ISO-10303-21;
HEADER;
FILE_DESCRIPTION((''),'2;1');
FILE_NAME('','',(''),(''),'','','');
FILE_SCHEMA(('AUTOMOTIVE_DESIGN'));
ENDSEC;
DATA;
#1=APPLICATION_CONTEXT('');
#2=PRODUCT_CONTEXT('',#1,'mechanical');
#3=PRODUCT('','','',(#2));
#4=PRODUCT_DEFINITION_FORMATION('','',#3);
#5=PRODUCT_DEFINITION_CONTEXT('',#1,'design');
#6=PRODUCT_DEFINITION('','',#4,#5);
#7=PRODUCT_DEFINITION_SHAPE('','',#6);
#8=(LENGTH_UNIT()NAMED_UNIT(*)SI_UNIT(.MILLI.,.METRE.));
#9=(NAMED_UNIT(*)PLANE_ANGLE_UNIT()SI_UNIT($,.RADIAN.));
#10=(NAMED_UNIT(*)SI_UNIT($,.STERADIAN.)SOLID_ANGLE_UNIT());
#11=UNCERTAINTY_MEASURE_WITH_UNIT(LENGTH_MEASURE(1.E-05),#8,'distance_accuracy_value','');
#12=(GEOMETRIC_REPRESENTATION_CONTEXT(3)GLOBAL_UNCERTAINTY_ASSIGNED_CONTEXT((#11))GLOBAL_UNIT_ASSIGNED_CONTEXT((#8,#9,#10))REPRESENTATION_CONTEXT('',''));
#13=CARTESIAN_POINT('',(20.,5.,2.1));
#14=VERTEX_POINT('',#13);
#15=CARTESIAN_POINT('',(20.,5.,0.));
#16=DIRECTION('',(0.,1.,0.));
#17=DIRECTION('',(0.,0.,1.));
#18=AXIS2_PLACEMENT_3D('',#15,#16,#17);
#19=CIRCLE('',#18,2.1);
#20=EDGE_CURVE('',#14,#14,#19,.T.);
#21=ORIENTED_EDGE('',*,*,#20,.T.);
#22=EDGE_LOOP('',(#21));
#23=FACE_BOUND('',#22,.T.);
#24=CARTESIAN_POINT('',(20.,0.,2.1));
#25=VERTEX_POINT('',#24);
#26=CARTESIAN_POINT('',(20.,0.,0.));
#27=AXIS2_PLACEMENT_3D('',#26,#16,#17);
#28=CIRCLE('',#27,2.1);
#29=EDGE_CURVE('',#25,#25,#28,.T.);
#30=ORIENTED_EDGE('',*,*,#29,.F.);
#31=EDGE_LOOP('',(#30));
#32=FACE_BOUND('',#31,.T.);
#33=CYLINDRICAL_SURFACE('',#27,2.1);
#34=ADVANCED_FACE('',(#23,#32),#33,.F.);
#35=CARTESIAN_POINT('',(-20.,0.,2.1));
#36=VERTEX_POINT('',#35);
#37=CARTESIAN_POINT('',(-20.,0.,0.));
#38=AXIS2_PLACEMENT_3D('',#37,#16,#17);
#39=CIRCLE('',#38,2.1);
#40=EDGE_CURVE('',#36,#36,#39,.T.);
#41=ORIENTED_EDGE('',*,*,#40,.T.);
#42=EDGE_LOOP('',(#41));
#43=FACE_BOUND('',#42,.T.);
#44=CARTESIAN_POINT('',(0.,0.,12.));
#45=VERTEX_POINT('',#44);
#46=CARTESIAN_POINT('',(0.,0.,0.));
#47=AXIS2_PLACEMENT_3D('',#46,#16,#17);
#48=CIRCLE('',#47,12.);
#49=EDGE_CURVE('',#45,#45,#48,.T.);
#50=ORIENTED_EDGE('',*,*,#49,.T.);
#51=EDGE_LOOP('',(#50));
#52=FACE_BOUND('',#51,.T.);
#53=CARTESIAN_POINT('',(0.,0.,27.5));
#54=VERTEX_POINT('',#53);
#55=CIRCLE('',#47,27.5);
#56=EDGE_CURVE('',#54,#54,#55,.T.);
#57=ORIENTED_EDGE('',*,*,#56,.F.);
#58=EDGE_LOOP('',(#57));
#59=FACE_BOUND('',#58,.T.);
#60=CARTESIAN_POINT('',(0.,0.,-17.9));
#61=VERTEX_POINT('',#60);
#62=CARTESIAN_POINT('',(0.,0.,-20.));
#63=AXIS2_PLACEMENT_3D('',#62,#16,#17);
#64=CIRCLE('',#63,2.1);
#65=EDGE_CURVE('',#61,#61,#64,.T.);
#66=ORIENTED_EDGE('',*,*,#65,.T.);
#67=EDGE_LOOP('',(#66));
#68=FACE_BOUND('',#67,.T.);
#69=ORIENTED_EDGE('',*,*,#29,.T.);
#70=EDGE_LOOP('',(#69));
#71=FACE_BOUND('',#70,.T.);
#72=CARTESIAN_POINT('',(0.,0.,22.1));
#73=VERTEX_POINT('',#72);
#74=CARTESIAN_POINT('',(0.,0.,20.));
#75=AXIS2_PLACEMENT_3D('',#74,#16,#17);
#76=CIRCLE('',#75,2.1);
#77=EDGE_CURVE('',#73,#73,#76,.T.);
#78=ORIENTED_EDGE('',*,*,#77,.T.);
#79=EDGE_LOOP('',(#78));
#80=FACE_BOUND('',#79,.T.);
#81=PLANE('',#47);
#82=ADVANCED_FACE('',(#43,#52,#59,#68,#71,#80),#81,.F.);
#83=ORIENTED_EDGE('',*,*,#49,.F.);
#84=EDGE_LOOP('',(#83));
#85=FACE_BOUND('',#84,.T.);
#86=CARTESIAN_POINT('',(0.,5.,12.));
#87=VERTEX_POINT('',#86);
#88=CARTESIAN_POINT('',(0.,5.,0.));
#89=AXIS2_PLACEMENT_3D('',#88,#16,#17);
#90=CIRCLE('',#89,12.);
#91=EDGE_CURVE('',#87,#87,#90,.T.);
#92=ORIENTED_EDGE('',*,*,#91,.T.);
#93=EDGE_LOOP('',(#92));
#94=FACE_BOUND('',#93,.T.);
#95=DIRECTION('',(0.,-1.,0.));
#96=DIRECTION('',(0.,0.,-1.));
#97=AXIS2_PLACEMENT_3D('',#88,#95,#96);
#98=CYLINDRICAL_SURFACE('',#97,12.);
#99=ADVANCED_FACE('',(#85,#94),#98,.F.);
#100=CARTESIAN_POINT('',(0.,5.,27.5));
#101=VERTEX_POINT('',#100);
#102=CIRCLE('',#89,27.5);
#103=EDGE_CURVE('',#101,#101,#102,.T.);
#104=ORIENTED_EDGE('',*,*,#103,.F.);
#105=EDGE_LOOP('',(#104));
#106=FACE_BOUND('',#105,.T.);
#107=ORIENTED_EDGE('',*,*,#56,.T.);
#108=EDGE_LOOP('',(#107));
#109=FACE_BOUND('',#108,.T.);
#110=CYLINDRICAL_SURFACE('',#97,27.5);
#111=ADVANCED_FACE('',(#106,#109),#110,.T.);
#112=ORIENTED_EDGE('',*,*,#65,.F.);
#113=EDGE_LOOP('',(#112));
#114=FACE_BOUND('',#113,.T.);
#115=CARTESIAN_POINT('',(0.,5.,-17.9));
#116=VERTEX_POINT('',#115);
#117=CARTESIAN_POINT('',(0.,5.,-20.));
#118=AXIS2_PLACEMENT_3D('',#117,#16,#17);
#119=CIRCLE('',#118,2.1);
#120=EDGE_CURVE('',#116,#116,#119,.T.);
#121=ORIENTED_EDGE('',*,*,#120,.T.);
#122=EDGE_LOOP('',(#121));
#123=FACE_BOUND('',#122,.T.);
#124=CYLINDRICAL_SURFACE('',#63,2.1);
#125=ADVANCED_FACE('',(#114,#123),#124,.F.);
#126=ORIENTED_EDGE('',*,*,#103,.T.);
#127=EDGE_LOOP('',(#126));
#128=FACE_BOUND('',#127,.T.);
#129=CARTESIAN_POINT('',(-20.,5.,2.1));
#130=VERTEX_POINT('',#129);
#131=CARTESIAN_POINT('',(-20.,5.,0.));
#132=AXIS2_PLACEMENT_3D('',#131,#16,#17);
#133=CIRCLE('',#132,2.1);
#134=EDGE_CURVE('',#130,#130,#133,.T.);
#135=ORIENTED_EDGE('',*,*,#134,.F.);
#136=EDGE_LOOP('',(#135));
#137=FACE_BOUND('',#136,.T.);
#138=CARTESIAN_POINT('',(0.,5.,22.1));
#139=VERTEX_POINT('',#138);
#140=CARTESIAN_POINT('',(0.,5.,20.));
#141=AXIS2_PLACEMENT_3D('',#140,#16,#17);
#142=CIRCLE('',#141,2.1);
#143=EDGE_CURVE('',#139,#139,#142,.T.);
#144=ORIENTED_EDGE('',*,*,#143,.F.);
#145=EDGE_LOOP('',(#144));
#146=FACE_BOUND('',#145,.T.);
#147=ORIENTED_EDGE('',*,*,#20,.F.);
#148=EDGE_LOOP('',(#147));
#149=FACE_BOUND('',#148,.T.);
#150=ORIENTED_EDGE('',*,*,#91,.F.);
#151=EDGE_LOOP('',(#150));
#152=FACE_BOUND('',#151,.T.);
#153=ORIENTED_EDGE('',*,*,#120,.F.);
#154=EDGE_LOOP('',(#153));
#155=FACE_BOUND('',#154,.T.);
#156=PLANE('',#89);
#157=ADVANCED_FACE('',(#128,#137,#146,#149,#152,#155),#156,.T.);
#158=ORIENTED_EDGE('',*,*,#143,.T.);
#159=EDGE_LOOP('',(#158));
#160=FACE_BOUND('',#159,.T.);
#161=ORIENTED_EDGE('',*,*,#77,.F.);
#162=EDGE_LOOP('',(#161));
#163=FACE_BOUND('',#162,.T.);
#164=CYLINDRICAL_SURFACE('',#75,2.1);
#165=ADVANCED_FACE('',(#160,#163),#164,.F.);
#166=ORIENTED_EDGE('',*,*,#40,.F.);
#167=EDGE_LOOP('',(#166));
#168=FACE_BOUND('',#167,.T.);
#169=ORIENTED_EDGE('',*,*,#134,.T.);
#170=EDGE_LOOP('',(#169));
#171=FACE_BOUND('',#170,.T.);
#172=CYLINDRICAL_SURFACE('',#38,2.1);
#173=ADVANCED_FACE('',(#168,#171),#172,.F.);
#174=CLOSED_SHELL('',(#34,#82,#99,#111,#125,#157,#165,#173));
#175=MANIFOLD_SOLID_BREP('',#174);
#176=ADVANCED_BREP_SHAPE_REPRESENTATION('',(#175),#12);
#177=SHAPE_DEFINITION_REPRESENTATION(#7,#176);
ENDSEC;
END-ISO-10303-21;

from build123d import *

# Parameters (mm, degrees)
SKETCH1_R           = 27.5
SKETCH1_R_2         = 12
BOSS_EXTRUDE1_DEPTH = 5
SKETCH2_R           = 2.1
CUT_EXTRUDE1_DEPTH  = 5


with BuildPart() as part:
    # Sketch1 → Boss-Extrude1 (new body)
    with BuildSketch(Plane(origin=(0, 0, 0), x_dir=(1, 0, 0), z_dir=(0, 1, 0))):
        with Locations(Location((0, 0, 0), (0, 0, 270))):
            Circle(SKETCH1_R)
        with Locations(Location((0, 0, 0), (0, 0, 270))):
            Circle(SKETCH1_R_2, mode=Mode.SUBTRACT)
    extrude(amount=BOSS_EXTRUDE1_DEPTH)

    # Sketch2 → Cut-Extrude1 (cut)
    with BuildSketch(Plane(origin=(0, 5, 0), x_dir=(1, 0, 0), z_dir=(0, 1, 0))):
        with Locations(Location((0, 20, 0), (0, 0, 270))):
            Circle(SKETCH2_R)
        with Locations(Location((0, -20, 0), (0, 0, 270))):
            Circle(SKETCH2_R)
        with Locations(Location((20, 0, 0), (0, 0, 270))):
            Circle(SKETCH2_R)
        with Locations(Location((-20, 0, 0), (0, 0, 270))):
            Circle(SKETCH2_R)
    extrude(amount=-CUT_EXTRUDE1_DEPTH, mode=Mode.SUBTRACT)


solid = part.part
